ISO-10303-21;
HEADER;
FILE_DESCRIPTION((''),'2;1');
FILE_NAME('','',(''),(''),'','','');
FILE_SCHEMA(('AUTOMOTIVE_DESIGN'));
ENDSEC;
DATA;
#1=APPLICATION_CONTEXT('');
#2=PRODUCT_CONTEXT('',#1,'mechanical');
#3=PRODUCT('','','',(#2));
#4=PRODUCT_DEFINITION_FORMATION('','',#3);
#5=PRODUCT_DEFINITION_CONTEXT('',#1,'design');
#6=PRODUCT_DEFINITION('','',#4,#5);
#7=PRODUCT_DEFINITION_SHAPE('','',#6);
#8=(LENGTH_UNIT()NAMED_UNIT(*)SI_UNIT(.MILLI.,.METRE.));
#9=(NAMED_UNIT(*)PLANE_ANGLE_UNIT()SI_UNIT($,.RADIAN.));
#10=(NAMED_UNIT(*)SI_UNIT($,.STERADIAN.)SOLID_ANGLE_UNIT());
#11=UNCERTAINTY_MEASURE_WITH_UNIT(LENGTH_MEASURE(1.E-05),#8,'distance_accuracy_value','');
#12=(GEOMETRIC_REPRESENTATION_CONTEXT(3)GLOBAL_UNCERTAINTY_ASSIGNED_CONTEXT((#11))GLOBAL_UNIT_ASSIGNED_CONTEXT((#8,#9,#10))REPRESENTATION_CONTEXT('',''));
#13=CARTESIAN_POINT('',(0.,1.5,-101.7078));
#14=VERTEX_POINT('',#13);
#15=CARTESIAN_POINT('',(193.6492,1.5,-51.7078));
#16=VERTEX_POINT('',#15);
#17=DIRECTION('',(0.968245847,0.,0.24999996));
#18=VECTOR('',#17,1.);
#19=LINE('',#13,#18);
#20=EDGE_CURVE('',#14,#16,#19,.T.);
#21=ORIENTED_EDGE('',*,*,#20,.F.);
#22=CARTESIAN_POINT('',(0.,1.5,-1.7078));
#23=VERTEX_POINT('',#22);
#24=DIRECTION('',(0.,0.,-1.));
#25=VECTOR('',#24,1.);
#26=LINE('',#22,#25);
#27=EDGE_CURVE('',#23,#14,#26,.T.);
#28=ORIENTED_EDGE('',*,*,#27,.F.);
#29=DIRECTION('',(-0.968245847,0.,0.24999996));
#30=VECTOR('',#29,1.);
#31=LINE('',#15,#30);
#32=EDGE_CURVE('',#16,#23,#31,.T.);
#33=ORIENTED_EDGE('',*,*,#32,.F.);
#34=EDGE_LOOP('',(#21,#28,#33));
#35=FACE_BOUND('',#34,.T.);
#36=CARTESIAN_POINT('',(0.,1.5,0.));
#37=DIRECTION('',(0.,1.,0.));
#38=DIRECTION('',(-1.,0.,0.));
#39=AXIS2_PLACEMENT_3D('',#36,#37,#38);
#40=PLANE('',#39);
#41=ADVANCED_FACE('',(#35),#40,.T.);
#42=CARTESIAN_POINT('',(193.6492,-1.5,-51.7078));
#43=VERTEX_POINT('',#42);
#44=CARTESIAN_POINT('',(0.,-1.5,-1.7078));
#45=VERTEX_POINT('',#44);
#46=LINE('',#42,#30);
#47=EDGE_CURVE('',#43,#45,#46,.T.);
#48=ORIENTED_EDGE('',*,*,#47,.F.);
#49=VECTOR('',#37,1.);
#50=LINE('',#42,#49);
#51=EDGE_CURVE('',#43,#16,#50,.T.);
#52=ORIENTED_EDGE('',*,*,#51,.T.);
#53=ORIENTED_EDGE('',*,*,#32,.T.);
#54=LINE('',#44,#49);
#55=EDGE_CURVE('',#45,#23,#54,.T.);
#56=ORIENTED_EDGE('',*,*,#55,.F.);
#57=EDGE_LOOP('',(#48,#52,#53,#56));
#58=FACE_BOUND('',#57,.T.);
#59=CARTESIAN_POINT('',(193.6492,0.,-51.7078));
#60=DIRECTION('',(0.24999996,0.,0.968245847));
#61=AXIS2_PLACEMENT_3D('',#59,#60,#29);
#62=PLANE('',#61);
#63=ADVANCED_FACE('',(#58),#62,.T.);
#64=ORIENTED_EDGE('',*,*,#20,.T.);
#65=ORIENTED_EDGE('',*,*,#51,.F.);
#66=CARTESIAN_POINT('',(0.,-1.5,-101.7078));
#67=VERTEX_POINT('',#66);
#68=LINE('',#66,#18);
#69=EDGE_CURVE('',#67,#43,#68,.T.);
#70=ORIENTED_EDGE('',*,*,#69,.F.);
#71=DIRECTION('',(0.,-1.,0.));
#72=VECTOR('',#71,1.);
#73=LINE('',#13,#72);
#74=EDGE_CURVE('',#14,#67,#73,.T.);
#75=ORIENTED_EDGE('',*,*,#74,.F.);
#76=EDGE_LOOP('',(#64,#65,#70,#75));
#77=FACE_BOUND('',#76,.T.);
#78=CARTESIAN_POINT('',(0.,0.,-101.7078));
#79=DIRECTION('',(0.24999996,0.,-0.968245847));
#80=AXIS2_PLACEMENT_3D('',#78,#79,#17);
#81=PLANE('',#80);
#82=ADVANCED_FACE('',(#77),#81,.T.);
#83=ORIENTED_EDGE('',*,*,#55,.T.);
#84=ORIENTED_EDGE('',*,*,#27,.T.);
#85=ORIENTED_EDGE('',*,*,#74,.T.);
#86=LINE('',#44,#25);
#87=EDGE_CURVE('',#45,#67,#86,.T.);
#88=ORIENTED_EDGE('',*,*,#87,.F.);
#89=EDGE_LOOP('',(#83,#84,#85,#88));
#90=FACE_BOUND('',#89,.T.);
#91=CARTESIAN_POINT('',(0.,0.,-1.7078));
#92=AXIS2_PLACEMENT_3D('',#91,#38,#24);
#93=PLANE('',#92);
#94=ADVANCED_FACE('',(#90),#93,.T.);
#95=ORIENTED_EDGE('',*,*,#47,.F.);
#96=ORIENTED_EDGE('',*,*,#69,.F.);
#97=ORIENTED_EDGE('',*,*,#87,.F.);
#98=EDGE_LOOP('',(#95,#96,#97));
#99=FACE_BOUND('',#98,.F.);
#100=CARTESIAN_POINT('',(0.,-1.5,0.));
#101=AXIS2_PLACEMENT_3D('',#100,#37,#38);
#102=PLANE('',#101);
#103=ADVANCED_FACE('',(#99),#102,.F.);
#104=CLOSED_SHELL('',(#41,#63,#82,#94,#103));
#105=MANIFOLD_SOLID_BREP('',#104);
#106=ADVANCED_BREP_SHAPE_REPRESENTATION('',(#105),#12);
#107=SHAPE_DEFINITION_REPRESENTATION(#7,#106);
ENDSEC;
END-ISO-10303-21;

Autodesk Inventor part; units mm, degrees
ref_plane "YZ Plane" through (0, 0, 0) normal (1, 0, 0) x (0, 1, 0)
ref_plane "XZ Plane" through (0, 0, 0) normal (0, 1, 0) x (-1, 0, 0)
ref_plane "XY Plane" through (0, 0, 0) normal (0, 0, 1) x (1, 0, 0)
sketch "Boceto1" plane through (0, 0, 0) normal (0, 1, 0) x (-1, 0, 0)
  line L0 (0, -1.7078) -> (0, -101.7078)
  line L1 (0, -101.7078) -> (-193.6492, -51.7078)
  line L2 (-193.6492, -51.7078) -> (0, -1.7078)
  point P0 (0, 0)
  dimension "d0" = 100
  dimension "d1" = 200
extrude "Extrusión1" add sketch "Boceto1" along normal mid plane 3
